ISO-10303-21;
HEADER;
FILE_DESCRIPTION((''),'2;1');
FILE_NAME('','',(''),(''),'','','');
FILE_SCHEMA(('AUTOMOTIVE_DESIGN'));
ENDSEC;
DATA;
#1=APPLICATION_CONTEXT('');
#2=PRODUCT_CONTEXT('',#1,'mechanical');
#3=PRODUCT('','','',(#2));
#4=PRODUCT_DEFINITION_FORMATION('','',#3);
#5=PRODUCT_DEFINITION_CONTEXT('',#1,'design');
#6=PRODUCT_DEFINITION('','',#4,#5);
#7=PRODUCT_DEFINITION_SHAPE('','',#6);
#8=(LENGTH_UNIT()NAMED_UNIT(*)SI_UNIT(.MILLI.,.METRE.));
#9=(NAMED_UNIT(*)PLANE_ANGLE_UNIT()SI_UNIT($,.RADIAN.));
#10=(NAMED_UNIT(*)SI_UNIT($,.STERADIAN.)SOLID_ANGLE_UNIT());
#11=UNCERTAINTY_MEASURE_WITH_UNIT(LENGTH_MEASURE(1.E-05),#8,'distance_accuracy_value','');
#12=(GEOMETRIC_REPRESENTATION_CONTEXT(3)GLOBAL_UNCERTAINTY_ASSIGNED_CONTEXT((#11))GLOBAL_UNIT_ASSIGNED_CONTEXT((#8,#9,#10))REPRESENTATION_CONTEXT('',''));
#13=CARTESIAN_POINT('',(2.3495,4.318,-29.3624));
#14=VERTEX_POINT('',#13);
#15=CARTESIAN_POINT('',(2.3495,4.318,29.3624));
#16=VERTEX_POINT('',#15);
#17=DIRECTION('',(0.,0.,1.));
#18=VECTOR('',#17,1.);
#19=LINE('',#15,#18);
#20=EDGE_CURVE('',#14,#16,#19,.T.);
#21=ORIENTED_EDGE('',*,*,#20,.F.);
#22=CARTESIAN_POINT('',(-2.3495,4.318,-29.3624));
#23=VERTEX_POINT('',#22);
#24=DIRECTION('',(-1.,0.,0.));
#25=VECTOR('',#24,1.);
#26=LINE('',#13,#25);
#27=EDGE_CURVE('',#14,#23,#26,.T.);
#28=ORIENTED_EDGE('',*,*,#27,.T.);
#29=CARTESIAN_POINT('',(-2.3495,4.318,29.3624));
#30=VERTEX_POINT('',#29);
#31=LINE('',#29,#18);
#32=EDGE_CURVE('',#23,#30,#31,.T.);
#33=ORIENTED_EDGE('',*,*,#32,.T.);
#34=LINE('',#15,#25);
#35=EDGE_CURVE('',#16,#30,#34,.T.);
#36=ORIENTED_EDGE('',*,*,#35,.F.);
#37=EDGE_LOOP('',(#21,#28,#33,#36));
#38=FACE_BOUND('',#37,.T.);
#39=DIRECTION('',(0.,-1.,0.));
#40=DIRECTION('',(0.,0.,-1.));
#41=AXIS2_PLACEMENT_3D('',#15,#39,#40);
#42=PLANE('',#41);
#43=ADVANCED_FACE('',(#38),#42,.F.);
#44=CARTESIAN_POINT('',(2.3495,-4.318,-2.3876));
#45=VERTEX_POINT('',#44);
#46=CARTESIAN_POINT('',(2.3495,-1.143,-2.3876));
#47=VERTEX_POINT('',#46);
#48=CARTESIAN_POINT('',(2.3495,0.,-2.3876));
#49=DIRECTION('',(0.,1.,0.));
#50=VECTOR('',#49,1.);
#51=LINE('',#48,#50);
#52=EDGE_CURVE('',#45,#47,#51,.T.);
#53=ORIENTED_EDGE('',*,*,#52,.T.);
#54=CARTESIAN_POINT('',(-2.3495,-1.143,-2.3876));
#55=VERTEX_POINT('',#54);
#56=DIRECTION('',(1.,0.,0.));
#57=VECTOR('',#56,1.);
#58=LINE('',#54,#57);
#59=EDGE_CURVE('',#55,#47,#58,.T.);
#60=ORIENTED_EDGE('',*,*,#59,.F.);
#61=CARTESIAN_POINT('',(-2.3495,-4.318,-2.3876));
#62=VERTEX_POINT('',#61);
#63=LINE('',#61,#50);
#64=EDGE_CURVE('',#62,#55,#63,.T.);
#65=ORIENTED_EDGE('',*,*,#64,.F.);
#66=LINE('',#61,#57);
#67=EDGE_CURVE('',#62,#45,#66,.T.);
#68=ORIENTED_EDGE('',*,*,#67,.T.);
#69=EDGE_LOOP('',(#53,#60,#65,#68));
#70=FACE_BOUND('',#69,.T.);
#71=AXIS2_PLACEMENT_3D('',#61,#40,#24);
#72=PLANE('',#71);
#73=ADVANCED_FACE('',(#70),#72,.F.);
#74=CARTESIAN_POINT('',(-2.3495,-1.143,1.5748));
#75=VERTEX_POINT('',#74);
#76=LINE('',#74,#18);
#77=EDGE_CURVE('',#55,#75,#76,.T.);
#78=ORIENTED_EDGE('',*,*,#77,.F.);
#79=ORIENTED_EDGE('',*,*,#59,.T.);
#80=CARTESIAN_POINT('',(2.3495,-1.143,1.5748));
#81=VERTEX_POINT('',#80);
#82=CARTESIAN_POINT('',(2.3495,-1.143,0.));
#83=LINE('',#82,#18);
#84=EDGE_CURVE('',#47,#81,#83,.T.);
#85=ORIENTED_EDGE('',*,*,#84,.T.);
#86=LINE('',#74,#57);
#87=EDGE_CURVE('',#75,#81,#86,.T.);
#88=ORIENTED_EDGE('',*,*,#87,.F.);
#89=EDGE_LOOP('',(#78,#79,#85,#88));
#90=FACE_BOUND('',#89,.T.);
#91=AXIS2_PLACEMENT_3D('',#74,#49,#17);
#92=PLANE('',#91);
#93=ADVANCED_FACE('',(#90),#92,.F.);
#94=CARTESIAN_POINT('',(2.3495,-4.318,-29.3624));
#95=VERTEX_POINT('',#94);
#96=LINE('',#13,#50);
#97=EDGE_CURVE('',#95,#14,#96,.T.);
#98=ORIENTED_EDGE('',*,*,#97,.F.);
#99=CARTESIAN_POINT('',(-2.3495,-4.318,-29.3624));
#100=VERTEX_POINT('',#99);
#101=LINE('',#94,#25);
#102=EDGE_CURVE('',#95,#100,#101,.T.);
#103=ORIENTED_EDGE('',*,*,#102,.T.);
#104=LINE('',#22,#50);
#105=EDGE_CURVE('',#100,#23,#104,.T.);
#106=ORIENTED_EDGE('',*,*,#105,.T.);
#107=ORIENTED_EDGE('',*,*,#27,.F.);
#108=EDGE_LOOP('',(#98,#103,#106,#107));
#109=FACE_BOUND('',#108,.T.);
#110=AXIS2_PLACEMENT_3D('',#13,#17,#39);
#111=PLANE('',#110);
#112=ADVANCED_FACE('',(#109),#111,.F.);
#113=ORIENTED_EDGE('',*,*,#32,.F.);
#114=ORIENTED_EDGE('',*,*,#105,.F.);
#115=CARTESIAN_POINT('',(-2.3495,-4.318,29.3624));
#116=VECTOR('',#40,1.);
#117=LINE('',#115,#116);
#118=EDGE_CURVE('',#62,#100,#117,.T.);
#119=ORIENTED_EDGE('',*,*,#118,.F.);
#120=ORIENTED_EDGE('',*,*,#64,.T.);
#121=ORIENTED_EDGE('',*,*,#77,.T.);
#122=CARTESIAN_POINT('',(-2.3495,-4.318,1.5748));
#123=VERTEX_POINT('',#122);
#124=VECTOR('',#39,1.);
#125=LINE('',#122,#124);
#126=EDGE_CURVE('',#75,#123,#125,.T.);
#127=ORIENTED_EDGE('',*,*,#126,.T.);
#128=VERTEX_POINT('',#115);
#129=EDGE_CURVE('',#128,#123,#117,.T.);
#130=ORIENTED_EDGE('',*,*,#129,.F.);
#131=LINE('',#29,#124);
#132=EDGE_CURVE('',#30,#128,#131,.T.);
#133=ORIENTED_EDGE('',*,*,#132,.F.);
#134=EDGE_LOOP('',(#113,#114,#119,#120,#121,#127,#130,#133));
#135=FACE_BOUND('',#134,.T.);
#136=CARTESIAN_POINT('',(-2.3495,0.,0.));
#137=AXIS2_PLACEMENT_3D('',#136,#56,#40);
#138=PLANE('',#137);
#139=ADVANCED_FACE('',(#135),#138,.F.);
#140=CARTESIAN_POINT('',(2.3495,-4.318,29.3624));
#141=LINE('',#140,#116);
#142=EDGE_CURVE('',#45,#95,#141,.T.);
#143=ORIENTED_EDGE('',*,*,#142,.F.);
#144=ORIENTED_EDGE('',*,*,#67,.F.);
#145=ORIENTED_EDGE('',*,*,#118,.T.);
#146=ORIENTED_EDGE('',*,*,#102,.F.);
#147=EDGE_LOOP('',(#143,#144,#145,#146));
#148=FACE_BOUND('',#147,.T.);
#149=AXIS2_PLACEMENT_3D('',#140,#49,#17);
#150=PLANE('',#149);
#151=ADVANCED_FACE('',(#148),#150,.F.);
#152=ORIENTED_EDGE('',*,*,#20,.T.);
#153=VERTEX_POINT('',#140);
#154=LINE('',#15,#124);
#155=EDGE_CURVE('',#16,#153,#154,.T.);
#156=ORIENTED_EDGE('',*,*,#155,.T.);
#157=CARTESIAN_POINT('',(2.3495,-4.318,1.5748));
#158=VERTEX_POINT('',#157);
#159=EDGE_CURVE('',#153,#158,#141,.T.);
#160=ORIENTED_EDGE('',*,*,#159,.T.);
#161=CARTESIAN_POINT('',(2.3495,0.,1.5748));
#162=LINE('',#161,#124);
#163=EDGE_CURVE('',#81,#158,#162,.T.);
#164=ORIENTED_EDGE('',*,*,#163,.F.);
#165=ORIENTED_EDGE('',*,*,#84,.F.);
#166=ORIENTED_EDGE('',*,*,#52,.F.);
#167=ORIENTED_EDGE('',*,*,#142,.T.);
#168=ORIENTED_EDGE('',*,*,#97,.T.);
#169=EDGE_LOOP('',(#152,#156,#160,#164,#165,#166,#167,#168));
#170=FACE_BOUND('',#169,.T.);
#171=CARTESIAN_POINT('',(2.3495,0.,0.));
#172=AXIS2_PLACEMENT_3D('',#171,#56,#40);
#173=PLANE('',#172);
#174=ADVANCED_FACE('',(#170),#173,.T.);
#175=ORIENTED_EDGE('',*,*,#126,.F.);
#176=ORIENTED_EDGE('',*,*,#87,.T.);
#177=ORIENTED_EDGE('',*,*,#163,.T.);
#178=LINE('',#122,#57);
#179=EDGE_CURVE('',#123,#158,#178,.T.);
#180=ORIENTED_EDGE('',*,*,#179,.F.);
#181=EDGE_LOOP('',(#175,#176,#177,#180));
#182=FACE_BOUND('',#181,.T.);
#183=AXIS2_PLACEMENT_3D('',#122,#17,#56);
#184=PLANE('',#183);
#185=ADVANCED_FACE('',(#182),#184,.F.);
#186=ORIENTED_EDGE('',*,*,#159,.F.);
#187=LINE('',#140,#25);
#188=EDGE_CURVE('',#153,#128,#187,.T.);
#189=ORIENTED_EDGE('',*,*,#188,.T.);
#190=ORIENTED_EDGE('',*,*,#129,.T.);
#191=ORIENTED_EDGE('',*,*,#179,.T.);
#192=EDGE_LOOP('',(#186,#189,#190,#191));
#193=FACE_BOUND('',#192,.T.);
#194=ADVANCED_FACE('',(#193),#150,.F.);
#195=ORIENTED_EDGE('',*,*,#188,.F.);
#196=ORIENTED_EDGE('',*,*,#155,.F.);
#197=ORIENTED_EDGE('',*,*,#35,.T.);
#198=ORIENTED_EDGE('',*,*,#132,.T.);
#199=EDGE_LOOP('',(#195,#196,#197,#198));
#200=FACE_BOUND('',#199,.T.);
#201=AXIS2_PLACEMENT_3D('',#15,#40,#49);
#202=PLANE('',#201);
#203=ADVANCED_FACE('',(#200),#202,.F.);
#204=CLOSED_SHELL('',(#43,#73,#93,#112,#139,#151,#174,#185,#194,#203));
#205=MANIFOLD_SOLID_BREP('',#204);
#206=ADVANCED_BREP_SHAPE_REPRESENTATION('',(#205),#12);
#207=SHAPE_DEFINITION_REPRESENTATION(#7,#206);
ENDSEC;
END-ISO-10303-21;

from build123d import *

# Parameters (mm, degrees)
SKETCH1_W               = 58.7248
SKETCH1_H               = 8.636
BOSS_EXTRUDE1_DEPTH     = 2.3495
CUT_EXTRUDE1_DEPTH      = 31.047899407
CUT_EXTRUDE1_DEPTH_BACK = 31.047899407
SKETCH2_W               = 3.9624
SKETCH2_H               = 3.175


with BuildPart() as part:
    # Sketch1 → Boss-Extrude1 (new, symmetric)
    with BuildSketch(Plane(origin=(0, 0, 0), x_dir=(0, 0, -1), z_dir=(1, 0, 0))):
        Rectangle(SKETCH1_W, SKETCH1_H)
    extrude(amount=BOSS_EXTRUDE1_DEPTH, both=True)

    # Sketch2 → Cut-Extrude1 (cut, two sides: drawn at the far end of the back side and taken through both)
    with BuildSketch(Plane(origin=(2.3495, 0, 0), x_dir=(0, 0, -1), z_dir=(1, 0, 0)).offset(-CUT_EXTRUDE1_DEPTH_BACK)):
        with Locations((0.4064, -2.7305)):
            Rectangle(SKETCH2_W, SKETCH2_H)
    extrude(amount=CUT_EXTRUDE1_DEPTH + CUT_EXTRUDE1_DEPTH_BACK, mode=Mode.SUBTRACT)


solid = part.part
